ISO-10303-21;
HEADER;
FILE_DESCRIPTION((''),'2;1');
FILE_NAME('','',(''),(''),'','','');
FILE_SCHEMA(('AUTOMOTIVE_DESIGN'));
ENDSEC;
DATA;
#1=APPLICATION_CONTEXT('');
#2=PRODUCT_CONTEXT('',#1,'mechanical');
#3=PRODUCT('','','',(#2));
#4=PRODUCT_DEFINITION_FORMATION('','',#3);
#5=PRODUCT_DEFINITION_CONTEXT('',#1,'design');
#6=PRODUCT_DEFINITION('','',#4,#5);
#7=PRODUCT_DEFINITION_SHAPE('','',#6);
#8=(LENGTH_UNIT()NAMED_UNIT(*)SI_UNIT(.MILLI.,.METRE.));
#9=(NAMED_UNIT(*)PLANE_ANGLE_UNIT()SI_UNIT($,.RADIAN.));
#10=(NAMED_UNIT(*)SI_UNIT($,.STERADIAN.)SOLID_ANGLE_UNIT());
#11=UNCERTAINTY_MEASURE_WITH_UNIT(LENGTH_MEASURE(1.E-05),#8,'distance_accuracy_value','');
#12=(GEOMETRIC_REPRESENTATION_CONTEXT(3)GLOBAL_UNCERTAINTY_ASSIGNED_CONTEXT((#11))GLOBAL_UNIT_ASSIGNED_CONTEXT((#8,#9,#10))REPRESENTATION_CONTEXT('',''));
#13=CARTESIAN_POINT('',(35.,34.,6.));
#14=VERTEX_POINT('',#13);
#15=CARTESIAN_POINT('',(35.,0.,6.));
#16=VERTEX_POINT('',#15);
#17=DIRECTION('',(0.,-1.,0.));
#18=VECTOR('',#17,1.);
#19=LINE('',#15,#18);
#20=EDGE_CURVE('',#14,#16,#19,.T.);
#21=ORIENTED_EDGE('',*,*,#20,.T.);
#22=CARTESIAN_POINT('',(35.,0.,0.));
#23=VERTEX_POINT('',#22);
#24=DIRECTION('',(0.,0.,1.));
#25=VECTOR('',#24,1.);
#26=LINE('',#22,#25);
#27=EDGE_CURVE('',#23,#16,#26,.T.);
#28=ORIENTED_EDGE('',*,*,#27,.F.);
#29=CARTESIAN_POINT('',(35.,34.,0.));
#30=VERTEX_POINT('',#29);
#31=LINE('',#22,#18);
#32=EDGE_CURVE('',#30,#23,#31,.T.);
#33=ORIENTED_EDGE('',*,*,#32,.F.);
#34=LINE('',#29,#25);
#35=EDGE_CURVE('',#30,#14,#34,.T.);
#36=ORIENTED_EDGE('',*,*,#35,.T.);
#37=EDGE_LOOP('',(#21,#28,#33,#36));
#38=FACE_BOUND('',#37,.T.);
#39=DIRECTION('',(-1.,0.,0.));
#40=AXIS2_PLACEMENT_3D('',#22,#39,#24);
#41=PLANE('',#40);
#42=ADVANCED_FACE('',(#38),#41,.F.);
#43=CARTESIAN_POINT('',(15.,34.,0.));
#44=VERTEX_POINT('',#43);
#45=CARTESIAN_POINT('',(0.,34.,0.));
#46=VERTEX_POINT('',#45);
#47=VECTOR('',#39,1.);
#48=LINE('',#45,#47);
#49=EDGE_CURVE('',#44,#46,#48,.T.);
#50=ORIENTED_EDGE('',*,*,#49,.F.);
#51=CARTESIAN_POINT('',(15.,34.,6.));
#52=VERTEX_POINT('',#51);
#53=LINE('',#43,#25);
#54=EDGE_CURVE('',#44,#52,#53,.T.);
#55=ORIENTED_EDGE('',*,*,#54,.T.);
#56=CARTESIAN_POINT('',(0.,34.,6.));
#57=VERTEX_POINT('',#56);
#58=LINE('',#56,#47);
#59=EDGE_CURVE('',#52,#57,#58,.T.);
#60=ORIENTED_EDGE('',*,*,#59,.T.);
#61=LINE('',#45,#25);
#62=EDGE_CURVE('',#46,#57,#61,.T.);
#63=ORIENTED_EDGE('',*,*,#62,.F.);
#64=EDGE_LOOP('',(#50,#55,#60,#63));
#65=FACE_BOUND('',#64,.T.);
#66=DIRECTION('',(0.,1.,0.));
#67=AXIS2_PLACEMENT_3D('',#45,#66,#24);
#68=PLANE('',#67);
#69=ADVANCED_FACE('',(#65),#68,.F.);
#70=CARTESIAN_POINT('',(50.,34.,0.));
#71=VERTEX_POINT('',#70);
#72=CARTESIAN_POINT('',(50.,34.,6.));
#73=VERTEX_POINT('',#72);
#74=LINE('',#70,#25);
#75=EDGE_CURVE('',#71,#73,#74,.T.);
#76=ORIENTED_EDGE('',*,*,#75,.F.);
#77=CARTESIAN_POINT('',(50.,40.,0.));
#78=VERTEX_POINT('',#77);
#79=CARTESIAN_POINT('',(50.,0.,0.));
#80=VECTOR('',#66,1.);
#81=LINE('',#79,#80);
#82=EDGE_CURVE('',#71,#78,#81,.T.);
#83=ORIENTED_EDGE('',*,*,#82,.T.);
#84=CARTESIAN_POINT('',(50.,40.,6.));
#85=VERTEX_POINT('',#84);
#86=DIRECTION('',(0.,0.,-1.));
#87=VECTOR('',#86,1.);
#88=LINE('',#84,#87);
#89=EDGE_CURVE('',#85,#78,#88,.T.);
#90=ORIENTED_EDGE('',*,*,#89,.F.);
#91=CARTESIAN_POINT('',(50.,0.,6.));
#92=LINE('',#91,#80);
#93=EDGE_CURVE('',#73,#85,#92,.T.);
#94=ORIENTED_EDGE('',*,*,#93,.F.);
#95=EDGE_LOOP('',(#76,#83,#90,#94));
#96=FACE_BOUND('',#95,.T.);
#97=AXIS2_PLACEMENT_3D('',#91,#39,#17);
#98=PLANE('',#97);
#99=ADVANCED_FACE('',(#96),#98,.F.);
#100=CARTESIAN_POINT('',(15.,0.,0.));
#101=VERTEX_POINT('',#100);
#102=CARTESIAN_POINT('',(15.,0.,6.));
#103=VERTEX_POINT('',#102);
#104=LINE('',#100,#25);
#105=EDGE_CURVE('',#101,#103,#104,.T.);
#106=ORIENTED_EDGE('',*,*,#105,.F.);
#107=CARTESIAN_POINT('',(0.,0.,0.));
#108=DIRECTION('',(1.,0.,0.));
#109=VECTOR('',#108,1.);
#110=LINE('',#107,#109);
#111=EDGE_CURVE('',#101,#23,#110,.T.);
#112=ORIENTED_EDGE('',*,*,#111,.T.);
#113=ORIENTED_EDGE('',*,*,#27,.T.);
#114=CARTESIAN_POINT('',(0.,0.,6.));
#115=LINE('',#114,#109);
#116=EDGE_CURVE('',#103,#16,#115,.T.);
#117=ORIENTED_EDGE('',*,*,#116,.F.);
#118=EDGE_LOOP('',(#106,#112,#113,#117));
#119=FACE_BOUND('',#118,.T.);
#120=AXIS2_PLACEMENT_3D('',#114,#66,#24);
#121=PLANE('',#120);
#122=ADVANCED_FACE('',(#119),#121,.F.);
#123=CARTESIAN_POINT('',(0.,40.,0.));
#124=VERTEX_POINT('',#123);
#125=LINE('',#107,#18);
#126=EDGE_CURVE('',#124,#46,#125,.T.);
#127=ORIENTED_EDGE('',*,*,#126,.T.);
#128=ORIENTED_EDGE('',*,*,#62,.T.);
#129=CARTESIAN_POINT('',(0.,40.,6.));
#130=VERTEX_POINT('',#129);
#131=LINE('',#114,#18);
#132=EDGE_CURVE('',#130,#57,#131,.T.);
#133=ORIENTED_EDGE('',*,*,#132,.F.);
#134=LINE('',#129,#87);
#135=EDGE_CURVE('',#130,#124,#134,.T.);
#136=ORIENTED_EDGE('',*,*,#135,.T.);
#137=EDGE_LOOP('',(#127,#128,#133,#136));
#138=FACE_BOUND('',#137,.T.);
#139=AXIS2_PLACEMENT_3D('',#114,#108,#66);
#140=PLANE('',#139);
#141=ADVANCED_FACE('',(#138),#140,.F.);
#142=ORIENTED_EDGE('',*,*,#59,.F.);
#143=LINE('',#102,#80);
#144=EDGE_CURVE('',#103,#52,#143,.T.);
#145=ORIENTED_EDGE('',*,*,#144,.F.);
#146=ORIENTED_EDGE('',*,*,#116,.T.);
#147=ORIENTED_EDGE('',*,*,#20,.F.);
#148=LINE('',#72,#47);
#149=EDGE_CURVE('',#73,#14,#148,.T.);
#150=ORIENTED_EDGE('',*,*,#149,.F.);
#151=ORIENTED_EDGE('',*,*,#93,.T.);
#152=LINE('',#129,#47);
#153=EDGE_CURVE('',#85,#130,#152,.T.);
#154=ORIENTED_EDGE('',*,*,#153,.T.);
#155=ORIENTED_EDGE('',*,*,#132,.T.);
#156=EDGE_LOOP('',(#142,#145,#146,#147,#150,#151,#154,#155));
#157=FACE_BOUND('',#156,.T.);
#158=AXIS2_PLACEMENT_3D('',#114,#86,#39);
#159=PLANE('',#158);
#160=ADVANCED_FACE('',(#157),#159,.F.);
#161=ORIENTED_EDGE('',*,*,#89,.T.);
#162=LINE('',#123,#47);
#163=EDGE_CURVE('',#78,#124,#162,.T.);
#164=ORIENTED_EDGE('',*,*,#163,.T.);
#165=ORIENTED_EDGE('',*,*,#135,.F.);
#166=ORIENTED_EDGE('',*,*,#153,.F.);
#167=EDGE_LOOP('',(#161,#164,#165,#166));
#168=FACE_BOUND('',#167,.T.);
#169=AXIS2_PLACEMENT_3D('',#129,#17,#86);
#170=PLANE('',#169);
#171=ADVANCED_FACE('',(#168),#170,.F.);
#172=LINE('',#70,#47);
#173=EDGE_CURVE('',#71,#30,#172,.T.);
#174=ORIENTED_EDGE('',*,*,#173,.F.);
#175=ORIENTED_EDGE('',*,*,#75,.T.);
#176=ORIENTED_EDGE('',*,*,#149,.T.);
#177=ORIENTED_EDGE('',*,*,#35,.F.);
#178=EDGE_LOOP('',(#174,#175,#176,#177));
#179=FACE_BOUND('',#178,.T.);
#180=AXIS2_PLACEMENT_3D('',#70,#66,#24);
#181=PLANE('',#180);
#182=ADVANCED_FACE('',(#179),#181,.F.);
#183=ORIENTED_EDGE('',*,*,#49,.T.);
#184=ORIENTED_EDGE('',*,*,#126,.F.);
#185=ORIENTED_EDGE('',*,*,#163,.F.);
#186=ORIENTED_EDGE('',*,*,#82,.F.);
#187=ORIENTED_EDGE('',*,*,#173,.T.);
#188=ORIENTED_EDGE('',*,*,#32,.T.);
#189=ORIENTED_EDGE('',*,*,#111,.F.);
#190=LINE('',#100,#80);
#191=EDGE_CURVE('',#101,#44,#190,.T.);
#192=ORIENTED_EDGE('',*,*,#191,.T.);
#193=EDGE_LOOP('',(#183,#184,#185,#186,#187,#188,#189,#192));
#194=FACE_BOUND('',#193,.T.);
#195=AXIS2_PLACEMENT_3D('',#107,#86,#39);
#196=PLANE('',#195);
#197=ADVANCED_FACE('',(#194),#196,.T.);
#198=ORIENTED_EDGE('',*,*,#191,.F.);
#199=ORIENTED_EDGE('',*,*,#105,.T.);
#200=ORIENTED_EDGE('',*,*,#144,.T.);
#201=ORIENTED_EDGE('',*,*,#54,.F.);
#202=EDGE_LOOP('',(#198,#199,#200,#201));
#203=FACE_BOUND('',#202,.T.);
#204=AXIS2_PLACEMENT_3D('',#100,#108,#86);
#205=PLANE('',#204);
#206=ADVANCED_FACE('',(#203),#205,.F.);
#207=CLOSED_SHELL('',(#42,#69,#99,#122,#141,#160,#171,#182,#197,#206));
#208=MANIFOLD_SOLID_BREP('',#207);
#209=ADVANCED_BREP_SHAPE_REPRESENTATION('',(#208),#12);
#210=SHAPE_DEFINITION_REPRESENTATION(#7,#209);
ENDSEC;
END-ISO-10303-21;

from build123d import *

# Parameters (mm, degrees)
ESQUISSE1_W             = 50
ESQUISSE1_H             = 40
BOSS_EXTRU_1_DEPTH      = 6
ESQUISSE2_W             = 15
ESQUISSE2_H             = 34
ENL_V_MAT_EXTRU_1_DEPTH = 6


with BuildPart() as part:
    # Esquisse1 → Boss.-Extru.1 (new body)
    with BuildSketch(Plane.XY):
        with Locations((25, 20)):
            Rectangle(ESQUISSE1_W, ESQUISSE1_H)
    extrude(amount=BOSS_EXTRU_1_DEPTH)

    # Esquisse2 → Enlèv. mat.-Extru.1 (cut)
    with BuildSketch(Plane.XY.offset(6)):
        with Locations((7.5, 17)):
            Rectangle(ESQUISSE2_W, ESQUISSE2_H)
        with Locations((42.5, 17)):
            Rectangle(ESQUISSE2_W, ESQUISSE2_H)
    extrude(amount=-ENL_V_MAT_EXTRU_1_DEPTH, mode=Mode.SUBTRACT)


solid = part.part
